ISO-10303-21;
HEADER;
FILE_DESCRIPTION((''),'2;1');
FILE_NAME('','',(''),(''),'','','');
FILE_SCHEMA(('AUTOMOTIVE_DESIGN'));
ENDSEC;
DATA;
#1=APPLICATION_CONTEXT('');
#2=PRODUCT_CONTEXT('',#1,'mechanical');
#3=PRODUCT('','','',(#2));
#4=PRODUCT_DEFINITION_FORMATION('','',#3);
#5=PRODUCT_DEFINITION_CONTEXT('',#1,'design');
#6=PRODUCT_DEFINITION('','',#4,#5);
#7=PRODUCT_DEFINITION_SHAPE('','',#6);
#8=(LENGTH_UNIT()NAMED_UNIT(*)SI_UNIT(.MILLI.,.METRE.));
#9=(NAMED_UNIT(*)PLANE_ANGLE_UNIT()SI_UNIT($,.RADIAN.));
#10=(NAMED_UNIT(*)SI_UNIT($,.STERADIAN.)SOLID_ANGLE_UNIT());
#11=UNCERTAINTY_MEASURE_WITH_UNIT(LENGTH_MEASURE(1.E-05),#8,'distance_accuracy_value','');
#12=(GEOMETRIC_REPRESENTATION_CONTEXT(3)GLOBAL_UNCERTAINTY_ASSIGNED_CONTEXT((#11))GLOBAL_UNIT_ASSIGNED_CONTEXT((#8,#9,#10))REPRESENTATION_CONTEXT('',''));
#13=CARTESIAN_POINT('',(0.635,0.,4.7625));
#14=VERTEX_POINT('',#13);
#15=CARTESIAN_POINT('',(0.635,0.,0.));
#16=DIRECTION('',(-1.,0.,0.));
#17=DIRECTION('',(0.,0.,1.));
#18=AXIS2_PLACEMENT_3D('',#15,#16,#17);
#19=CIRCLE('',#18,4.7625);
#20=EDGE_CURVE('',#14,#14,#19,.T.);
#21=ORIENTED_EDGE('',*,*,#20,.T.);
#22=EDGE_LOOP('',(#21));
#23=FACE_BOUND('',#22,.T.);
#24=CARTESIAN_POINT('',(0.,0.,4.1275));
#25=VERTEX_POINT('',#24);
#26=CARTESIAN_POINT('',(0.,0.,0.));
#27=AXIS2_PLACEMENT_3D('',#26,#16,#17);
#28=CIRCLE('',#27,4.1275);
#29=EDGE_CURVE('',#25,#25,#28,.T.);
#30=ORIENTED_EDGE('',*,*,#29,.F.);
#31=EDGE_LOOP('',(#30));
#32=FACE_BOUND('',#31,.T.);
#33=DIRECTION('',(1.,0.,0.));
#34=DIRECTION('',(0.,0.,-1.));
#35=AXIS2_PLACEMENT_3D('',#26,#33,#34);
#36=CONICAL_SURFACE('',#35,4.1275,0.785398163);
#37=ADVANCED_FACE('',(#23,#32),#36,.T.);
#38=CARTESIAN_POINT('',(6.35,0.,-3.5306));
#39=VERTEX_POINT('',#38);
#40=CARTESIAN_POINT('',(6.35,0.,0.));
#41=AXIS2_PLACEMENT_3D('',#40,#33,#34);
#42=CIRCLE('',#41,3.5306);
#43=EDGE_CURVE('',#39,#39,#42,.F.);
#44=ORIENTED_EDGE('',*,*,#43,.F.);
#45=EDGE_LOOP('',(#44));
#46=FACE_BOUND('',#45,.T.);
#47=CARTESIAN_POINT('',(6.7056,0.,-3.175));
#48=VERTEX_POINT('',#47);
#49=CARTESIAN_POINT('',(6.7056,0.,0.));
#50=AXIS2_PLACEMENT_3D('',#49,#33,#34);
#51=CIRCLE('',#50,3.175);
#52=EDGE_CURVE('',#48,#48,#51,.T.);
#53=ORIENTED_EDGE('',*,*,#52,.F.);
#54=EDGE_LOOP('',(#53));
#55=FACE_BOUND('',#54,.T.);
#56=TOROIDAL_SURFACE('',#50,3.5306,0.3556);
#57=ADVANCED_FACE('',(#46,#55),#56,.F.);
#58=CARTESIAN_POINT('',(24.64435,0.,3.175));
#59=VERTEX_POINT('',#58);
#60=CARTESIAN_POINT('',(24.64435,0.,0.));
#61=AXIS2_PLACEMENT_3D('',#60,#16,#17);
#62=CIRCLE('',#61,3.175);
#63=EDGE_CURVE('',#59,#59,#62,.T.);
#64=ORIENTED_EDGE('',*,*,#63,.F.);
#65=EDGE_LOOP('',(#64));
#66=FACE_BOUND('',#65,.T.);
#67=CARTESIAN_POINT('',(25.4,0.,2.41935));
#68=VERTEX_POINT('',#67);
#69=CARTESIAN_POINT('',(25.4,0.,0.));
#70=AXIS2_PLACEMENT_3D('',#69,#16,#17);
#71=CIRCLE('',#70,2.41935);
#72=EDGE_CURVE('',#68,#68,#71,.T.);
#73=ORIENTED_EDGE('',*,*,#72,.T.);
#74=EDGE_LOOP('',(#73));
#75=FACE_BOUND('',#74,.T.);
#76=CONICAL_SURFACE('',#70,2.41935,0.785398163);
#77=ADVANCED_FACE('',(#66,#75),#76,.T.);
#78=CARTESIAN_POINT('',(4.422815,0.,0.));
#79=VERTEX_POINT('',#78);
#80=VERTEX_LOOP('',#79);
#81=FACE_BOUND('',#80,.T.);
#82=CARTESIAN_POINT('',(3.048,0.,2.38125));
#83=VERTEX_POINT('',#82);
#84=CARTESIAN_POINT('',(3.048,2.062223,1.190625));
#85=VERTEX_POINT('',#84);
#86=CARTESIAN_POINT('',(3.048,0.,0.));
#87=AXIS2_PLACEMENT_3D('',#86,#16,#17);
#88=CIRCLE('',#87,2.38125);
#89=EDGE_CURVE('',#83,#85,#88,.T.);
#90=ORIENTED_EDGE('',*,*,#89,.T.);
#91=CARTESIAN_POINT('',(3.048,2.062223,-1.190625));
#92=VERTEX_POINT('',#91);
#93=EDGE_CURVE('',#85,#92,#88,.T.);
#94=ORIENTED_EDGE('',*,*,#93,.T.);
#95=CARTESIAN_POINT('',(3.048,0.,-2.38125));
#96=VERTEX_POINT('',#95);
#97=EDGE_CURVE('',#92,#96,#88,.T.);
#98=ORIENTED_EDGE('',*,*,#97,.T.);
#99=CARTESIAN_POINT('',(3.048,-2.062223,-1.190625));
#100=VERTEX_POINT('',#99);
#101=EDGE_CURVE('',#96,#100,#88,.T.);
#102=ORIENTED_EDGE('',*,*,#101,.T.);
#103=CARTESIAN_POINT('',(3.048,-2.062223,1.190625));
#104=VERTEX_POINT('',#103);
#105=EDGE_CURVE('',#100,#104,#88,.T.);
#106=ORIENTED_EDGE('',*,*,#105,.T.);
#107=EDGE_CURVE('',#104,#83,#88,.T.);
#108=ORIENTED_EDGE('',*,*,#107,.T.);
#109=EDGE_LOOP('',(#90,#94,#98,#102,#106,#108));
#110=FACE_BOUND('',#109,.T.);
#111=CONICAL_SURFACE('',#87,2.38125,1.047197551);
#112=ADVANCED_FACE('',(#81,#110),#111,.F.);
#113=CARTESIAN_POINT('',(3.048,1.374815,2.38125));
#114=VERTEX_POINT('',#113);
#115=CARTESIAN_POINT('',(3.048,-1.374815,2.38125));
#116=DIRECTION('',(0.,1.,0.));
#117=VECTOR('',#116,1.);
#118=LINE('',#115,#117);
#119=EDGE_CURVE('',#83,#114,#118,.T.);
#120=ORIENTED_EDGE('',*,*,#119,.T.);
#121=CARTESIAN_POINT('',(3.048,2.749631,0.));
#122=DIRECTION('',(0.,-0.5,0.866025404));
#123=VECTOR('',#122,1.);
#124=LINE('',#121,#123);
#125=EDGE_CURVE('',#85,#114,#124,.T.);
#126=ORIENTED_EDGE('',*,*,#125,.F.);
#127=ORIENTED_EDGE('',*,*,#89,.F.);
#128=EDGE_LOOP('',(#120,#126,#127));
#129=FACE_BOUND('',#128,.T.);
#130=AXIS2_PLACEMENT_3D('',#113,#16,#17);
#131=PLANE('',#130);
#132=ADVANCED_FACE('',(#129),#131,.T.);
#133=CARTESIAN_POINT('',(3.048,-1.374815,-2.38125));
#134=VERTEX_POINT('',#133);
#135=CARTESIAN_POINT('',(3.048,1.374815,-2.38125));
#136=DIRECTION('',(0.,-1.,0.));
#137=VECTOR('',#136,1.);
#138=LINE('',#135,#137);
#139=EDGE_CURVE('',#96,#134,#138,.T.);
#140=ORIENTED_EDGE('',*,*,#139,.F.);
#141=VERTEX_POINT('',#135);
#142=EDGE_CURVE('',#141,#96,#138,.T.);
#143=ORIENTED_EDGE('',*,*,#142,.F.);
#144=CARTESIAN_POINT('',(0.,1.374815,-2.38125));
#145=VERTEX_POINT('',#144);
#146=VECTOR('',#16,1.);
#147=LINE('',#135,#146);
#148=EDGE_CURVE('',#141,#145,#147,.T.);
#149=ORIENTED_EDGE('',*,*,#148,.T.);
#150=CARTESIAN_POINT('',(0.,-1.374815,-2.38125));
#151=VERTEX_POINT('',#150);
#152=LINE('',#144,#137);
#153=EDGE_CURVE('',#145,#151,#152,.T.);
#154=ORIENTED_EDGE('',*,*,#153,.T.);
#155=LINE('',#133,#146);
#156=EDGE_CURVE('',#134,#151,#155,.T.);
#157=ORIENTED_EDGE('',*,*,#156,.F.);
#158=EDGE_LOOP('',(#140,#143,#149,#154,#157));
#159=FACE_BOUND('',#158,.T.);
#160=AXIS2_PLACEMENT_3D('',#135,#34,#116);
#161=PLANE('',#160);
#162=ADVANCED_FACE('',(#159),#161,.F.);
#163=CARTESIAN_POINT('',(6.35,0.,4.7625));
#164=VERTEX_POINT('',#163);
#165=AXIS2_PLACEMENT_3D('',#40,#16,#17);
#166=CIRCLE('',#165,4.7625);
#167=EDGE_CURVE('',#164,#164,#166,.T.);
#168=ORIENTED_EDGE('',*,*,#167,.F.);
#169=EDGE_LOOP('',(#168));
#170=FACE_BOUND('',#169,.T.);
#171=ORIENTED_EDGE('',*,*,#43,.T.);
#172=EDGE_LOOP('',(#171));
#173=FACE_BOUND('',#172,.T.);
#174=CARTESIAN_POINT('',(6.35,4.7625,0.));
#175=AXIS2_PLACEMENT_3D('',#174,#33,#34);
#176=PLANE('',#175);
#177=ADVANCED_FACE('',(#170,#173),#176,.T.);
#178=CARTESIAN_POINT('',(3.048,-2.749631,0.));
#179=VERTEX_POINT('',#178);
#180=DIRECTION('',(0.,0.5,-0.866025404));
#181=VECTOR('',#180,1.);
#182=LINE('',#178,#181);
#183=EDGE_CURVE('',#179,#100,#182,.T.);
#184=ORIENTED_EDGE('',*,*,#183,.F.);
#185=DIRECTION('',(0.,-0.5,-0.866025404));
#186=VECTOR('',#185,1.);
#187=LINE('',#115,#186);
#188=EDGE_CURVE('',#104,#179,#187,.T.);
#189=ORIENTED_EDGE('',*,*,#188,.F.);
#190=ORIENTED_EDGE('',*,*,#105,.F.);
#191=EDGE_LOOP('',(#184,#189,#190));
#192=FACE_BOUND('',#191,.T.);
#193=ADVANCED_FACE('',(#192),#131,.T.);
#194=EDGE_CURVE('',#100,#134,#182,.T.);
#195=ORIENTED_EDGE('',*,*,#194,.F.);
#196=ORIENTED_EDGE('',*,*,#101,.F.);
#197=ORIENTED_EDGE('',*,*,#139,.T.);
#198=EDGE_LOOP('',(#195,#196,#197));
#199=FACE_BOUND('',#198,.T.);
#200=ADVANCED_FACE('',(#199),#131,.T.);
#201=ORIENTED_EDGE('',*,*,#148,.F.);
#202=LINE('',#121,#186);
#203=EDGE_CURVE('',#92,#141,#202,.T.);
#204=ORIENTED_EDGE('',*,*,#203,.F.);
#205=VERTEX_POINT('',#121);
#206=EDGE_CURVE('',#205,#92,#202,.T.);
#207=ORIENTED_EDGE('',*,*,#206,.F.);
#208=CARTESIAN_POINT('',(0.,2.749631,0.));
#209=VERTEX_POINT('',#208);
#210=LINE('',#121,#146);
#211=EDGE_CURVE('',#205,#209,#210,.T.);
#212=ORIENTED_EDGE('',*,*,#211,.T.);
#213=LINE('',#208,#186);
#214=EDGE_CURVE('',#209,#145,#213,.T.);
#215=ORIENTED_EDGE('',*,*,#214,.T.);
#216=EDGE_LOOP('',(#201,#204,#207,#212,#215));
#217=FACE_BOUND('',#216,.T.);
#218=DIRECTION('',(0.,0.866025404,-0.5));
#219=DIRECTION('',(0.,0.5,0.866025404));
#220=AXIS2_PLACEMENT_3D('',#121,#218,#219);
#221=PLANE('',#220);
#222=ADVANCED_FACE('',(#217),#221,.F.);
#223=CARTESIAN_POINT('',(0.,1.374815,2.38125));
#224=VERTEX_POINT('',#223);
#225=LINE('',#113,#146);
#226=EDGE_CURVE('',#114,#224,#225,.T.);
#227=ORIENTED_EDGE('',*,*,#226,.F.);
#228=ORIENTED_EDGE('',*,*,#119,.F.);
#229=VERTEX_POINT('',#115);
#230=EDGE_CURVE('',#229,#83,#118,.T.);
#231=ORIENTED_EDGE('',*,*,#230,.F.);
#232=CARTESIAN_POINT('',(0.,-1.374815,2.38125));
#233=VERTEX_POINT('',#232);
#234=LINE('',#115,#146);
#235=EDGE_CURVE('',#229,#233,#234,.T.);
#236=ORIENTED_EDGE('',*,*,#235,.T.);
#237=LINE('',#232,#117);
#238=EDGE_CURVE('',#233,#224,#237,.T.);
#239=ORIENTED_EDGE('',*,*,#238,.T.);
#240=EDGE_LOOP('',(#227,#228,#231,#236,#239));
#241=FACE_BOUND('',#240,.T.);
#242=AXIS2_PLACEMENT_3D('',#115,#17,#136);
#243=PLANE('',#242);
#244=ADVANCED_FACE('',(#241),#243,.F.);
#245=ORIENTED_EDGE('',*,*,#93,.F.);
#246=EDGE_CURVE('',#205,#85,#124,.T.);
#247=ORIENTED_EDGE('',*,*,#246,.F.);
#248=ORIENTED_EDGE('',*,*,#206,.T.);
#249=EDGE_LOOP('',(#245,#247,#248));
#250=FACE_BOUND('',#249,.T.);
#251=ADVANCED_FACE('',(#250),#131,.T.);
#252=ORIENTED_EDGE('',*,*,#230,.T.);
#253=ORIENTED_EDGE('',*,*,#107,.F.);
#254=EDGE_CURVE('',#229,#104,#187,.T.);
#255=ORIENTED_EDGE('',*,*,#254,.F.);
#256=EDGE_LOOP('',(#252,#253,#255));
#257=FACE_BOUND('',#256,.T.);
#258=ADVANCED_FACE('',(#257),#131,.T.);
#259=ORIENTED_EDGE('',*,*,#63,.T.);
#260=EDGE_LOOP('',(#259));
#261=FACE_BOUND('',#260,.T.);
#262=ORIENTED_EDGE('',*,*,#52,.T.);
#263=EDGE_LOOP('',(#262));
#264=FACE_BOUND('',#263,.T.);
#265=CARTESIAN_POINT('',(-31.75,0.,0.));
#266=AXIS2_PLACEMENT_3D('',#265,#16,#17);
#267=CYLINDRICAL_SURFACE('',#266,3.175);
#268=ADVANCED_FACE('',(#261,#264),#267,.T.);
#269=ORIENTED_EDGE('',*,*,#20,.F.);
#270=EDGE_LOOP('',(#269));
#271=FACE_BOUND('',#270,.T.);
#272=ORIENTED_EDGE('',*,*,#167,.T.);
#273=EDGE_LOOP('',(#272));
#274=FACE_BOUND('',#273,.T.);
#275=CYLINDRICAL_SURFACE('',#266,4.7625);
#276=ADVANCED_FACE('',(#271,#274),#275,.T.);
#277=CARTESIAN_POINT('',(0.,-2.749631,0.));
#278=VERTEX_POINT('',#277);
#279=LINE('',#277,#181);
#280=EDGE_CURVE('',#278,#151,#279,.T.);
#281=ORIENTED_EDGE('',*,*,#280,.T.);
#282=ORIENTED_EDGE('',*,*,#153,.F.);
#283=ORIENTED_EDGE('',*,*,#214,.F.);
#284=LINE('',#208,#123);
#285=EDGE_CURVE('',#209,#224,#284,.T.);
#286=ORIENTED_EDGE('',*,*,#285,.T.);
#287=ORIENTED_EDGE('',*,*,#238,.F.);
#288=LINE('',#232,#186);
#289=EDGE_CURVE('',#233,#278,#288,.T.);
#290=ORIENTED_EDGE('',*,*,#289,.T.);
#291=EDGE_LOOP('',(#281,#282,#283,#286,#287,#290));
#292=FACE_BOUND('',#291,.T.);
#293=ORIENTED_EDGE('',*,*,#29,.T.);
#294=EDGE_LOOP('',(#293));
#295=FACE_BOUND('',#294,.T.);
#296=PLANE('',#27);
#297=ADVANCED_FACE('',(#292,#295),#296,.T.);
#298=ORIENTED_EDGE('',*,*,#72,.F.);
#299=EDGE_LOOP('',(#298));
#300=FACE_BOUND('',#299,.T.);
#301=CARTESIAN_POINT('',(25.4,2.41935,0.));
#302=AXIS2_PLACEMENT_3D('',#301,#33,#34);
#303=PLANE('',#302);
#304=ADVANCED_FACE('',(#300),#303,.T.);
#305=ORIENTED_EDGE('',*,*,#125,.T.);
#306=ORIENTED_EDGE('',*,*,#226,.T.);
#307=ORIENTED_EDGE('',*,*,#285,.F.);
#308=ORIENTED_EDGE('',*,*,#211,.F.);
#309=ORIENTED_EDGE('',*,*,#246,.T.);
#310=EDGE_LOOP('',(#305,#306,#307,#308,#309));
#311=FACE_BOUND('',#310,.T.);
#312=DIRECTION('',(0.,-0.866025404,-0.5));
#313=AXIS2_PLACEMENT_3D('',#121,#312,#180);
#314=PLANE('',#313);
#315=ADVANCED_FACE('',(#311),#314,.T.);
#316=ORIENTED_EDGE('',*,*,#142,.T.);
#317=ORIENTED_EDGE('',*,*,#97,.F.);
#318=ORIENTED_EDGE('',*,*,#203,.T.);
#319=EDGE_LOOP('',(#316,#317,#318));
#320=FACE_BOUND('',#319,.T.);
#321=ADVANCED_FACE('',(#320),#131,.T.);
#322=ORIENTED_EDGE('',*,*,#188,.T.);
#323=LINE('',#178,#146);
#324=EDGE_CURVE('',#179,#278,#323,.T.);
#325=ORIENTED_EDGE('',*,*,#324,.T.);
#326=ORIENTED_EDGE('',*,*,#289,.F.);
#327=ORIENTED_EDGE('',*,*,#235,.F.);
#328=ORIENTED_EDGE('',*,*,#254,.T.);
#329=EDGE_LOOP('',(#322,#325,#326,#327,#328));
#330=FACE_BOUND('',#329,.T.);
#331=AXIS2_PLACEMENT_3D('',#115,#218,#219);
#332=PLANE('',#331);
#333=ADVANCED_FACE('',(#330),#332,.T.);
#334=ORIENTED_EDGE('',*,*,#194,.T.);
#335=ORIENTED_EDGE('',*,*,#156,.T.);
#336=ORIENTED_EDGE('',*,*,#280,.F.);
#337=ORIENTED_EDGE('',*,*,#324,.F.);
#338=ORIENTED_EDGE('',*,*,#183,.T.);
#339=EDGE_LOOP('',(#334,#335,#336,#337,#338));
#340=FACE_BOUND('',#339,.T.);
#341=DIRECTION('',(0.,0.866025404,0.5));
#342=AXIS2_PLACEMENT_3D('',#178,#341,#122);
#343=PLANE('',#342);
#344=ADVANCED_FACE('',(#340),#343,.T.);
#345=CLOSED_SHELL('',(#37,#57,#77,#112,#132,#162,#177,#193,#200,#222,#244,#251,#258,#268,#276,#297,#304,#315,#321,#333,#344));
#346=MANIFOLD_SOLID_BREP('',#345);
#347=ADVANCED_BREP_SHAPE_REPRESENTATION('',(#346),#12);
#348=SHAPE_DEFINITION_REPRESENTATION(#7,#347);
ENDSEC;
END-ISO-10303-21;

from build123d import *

# Parameters (mm, degrees)
FILLET1_R   = 0.3556
HEX_2_DEPTH = 3.048


with BuildPart() as part:
    # BodySke → Base-Revolve (revolve)
    with BuildSketch(Plane.XY, mode=Mode.PRIVATE) as base_revolve_sk:
        Polygon((0, 0), (0, 4.1275), (0.635, 4.7625), (6.35, 4.7625), (6.35, 3.175), (24.64435, 3.175), (25.4, 2.41935), (25.4, 0), align=None)
    revolve(base_revolve_sk.sketch.rotate(Axis((-31.75, 0, 0), (1, 0, 0)), 90), axis=Axis((-31.75, 0, 0), (1, 0, 0)))

    # Fillet1
    fillet1_edges = [part.edges().sort_by_distance(p)[0] for p in [
        (6.35, 0, -3.175),
    ]]
    fillet(fillet1_edges, radius=FILLET1_R)

    # Sketch2 → Hex-PreBroach (revolve, cut)
    with BuildSketch(Plane.XY, mode=Mode.PRIVATE) as hex_prebroach_sk:
        Polygon((0, 2.38125), (3.048, 2.38125), (4.422815329, 0), (0, 0), align=None)
    revolve(hex_prebroach_sk.sketch.rotate(Axis((0, 0, 0), (1, 0, 0)), 90), axis=Axis((0, 0, 0), (1, 0, 0)), mode=Mode.SUBTRACT)

    # Sketch3 → Hex 2 (cut)
    with BuildSketch(Plane(origin=(0, 0, 0), x_dir=(0, 0.500000000000001, 0.866025403784438), z_dir=(-1, 0, 0))):
        Polygon((1.374815329, 2.38125), (-1.374815329, 2.38125), (-2.749630657, 0), (-1.374815329, -2.38125), (1.374815329, -2.38125), (2.749630657, 0), align=None)
    extrude(amount=-HEX_2_DEPTH, mode=Mode.SUBTRACT)


solid = part.part
